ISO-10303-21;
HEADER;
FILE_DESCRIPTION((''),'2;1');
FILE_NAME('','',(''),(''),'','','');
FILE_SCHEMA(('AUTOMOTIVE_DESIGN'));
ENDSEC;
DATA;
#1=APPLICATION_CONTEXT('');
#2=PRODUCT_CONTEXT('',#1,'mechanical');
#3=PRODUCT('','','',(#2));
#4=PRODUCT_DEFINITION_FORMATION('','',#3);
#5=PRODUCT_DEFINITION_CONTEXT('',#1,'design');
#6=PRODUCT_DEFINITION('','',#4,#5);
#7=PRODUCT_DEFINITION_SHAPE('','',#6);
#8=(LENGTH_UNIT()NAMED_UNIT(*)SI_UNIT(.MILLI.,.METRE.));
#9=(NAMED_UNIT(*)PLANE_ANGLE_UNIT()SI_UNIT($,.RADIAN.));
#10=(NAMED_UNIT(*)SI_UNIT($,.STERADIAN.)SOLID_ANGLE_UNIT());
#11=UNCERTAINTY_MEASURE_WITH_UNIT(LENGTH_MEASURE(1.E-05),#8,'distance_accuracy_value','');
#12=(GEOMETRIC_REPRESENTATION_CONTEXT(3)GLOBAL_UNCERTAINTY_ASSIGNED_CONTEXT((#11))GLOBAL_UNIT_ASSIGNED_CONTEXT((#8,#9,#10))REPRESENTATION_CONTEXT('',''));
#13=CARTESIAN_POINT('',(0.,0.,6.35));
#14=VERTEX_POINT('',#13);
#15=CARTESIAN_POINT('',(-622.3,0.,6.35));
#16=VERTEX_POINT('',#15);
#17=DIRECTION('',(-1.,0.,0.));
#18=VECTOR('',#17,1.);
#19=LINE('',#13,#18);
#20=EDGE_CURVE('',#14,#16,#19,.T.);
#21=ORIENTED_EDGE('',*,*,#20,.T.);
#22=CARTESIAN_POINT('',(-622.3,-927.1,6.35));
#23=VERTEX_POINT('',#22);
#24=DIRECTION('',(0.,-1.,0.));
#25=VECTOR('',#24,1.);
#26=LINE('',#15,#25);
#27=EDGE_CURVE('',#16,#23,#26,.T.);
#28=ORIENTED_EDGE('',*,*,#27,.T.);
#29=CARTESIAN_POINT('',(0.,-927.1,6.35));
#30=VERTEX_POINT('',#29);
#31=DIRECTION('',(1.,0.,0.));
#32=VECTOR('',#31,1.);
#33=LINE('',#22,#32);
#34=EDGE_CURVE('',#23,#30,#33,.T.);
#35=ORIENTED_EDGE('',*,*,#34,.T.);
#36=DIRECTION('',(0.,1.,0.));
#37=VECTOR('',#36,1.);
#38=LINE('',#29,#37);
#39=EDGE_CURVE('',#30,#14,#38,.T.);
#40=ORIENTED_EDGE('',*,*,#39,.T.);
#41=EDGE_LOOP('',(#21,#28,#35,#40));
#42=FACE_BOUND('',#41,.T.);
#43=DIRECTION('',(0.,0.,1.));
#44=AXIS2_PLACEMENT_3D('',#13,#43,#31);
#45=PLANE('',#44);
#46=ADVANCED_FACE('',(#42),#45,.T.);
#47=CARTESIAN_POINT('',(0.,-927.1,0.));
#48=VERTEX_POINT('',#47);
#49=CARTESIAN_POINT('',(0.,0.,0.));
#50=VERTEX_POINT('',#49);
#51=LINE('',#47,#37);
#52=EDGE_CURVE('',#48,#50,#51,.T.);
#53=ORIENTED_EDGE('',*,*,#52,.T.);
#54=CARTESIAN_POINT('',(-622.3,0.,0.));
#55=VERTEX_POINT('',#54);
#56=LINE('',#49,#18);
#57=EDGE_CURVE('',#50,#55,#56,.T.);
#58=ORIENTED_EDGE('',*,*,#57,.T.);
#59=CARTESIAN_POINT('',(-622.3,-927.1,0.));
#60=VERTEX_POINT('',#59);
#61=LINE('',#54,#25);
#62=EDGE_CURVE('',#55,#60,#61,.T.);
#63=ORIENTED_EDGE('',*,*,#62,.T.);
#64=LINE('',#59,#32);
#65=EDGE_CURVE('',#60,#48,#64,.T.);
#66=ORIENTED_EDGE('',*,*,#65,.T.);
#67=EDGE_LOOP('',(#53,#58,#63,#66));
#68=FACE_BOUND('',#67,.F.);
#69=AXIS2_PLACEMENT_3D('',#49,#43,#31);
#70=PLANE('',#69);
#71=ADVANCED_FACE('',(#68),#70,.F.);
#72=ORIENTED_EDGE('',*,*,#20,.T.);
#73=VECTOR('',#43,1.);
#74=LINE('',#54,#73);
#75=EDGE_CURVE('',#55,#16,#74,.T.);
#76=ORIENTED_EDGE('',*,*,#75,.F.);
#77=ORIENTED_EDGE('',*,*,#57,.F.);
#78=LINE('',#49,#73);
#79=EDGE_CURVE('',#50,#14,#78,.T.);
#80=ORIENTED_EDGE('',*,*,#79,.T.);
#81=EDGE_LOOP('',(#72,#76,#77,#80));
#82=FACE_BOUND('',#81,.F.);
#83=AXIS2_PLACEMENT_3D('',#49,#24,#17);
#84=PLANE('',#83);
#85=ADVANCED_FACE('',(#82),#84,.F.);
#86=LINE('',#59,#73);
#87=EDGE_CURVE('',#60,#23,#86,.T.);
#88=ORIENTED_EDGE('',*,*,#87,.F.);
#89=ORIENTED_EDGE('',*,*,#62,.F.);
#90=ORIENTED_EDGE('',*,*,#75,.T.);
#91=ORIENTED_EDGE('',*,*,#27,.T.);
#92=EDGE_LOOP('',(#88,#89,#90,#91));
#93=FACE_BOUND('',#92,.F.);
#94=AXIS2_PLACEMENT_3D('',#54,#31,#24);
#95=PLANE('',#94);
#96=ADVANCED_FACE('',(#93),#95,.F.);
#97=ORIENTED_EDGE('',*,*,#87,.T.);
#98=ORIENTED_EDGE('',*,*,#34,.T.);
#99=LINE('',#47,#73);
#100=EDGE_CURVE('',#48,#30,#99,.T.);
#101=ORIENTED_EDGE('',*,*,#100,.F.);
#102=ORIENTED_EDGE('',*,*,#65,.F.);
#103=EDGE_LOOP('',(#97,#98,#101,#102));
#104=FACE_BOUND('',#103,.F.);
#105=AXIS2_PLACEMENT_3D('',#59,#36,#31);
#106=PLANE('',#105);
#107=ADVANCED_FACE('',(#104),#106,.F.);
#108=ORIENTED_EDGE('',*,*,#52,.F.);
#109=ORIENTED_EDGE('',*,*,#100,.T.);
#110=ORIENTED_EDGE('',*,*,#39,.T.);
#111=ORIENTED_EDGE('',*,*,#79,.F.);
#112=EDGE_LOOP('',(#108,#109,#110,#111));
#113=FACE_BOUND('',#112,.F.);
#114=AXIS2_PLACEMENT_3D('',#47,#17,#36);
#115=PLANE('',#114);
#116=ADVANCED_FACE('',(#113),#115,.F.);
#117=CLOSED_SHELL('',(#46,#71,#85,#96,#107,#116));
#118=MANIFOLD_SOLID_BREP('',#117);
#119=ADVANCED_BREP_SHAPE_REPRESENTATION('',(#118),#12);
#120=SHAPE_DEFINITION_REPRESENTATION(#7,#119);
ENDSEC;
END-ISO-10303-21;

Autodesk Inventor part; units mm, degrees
ref_plane "YZ Plane" through (0, 0, 0) normal (1, 0, 0) x (0, 1, 0)
ref_plane "XZ Plane" through (0, 0, 0) normal (0, 1, 0) x (-1, 0, 0)
ref_plane "XY Plane" through (0, 0, 0) normal (0, 0, 1) x (1, 0, 0)
sketch "Sketch1" plane through (0, 0, 0) normal (0, 0, 1) x (1, 0, 0)
  line L0 (0, 0) -> (-622.3, 0)
  line L1 (-622.3, 0) -> (-622.3, -927.1)
  line L2 (-622.3, -927.1) -> (0, -927.1)
  line L3 (0, -927.1) -> (0, 0)
  dimension "d0" = 622.3
  dimension "d1" = 927.1
extrude "Extrusion1" add sketch "Sketch1" along normal blind 6.35
properties part number "rat_enclosure_slide_panel"
